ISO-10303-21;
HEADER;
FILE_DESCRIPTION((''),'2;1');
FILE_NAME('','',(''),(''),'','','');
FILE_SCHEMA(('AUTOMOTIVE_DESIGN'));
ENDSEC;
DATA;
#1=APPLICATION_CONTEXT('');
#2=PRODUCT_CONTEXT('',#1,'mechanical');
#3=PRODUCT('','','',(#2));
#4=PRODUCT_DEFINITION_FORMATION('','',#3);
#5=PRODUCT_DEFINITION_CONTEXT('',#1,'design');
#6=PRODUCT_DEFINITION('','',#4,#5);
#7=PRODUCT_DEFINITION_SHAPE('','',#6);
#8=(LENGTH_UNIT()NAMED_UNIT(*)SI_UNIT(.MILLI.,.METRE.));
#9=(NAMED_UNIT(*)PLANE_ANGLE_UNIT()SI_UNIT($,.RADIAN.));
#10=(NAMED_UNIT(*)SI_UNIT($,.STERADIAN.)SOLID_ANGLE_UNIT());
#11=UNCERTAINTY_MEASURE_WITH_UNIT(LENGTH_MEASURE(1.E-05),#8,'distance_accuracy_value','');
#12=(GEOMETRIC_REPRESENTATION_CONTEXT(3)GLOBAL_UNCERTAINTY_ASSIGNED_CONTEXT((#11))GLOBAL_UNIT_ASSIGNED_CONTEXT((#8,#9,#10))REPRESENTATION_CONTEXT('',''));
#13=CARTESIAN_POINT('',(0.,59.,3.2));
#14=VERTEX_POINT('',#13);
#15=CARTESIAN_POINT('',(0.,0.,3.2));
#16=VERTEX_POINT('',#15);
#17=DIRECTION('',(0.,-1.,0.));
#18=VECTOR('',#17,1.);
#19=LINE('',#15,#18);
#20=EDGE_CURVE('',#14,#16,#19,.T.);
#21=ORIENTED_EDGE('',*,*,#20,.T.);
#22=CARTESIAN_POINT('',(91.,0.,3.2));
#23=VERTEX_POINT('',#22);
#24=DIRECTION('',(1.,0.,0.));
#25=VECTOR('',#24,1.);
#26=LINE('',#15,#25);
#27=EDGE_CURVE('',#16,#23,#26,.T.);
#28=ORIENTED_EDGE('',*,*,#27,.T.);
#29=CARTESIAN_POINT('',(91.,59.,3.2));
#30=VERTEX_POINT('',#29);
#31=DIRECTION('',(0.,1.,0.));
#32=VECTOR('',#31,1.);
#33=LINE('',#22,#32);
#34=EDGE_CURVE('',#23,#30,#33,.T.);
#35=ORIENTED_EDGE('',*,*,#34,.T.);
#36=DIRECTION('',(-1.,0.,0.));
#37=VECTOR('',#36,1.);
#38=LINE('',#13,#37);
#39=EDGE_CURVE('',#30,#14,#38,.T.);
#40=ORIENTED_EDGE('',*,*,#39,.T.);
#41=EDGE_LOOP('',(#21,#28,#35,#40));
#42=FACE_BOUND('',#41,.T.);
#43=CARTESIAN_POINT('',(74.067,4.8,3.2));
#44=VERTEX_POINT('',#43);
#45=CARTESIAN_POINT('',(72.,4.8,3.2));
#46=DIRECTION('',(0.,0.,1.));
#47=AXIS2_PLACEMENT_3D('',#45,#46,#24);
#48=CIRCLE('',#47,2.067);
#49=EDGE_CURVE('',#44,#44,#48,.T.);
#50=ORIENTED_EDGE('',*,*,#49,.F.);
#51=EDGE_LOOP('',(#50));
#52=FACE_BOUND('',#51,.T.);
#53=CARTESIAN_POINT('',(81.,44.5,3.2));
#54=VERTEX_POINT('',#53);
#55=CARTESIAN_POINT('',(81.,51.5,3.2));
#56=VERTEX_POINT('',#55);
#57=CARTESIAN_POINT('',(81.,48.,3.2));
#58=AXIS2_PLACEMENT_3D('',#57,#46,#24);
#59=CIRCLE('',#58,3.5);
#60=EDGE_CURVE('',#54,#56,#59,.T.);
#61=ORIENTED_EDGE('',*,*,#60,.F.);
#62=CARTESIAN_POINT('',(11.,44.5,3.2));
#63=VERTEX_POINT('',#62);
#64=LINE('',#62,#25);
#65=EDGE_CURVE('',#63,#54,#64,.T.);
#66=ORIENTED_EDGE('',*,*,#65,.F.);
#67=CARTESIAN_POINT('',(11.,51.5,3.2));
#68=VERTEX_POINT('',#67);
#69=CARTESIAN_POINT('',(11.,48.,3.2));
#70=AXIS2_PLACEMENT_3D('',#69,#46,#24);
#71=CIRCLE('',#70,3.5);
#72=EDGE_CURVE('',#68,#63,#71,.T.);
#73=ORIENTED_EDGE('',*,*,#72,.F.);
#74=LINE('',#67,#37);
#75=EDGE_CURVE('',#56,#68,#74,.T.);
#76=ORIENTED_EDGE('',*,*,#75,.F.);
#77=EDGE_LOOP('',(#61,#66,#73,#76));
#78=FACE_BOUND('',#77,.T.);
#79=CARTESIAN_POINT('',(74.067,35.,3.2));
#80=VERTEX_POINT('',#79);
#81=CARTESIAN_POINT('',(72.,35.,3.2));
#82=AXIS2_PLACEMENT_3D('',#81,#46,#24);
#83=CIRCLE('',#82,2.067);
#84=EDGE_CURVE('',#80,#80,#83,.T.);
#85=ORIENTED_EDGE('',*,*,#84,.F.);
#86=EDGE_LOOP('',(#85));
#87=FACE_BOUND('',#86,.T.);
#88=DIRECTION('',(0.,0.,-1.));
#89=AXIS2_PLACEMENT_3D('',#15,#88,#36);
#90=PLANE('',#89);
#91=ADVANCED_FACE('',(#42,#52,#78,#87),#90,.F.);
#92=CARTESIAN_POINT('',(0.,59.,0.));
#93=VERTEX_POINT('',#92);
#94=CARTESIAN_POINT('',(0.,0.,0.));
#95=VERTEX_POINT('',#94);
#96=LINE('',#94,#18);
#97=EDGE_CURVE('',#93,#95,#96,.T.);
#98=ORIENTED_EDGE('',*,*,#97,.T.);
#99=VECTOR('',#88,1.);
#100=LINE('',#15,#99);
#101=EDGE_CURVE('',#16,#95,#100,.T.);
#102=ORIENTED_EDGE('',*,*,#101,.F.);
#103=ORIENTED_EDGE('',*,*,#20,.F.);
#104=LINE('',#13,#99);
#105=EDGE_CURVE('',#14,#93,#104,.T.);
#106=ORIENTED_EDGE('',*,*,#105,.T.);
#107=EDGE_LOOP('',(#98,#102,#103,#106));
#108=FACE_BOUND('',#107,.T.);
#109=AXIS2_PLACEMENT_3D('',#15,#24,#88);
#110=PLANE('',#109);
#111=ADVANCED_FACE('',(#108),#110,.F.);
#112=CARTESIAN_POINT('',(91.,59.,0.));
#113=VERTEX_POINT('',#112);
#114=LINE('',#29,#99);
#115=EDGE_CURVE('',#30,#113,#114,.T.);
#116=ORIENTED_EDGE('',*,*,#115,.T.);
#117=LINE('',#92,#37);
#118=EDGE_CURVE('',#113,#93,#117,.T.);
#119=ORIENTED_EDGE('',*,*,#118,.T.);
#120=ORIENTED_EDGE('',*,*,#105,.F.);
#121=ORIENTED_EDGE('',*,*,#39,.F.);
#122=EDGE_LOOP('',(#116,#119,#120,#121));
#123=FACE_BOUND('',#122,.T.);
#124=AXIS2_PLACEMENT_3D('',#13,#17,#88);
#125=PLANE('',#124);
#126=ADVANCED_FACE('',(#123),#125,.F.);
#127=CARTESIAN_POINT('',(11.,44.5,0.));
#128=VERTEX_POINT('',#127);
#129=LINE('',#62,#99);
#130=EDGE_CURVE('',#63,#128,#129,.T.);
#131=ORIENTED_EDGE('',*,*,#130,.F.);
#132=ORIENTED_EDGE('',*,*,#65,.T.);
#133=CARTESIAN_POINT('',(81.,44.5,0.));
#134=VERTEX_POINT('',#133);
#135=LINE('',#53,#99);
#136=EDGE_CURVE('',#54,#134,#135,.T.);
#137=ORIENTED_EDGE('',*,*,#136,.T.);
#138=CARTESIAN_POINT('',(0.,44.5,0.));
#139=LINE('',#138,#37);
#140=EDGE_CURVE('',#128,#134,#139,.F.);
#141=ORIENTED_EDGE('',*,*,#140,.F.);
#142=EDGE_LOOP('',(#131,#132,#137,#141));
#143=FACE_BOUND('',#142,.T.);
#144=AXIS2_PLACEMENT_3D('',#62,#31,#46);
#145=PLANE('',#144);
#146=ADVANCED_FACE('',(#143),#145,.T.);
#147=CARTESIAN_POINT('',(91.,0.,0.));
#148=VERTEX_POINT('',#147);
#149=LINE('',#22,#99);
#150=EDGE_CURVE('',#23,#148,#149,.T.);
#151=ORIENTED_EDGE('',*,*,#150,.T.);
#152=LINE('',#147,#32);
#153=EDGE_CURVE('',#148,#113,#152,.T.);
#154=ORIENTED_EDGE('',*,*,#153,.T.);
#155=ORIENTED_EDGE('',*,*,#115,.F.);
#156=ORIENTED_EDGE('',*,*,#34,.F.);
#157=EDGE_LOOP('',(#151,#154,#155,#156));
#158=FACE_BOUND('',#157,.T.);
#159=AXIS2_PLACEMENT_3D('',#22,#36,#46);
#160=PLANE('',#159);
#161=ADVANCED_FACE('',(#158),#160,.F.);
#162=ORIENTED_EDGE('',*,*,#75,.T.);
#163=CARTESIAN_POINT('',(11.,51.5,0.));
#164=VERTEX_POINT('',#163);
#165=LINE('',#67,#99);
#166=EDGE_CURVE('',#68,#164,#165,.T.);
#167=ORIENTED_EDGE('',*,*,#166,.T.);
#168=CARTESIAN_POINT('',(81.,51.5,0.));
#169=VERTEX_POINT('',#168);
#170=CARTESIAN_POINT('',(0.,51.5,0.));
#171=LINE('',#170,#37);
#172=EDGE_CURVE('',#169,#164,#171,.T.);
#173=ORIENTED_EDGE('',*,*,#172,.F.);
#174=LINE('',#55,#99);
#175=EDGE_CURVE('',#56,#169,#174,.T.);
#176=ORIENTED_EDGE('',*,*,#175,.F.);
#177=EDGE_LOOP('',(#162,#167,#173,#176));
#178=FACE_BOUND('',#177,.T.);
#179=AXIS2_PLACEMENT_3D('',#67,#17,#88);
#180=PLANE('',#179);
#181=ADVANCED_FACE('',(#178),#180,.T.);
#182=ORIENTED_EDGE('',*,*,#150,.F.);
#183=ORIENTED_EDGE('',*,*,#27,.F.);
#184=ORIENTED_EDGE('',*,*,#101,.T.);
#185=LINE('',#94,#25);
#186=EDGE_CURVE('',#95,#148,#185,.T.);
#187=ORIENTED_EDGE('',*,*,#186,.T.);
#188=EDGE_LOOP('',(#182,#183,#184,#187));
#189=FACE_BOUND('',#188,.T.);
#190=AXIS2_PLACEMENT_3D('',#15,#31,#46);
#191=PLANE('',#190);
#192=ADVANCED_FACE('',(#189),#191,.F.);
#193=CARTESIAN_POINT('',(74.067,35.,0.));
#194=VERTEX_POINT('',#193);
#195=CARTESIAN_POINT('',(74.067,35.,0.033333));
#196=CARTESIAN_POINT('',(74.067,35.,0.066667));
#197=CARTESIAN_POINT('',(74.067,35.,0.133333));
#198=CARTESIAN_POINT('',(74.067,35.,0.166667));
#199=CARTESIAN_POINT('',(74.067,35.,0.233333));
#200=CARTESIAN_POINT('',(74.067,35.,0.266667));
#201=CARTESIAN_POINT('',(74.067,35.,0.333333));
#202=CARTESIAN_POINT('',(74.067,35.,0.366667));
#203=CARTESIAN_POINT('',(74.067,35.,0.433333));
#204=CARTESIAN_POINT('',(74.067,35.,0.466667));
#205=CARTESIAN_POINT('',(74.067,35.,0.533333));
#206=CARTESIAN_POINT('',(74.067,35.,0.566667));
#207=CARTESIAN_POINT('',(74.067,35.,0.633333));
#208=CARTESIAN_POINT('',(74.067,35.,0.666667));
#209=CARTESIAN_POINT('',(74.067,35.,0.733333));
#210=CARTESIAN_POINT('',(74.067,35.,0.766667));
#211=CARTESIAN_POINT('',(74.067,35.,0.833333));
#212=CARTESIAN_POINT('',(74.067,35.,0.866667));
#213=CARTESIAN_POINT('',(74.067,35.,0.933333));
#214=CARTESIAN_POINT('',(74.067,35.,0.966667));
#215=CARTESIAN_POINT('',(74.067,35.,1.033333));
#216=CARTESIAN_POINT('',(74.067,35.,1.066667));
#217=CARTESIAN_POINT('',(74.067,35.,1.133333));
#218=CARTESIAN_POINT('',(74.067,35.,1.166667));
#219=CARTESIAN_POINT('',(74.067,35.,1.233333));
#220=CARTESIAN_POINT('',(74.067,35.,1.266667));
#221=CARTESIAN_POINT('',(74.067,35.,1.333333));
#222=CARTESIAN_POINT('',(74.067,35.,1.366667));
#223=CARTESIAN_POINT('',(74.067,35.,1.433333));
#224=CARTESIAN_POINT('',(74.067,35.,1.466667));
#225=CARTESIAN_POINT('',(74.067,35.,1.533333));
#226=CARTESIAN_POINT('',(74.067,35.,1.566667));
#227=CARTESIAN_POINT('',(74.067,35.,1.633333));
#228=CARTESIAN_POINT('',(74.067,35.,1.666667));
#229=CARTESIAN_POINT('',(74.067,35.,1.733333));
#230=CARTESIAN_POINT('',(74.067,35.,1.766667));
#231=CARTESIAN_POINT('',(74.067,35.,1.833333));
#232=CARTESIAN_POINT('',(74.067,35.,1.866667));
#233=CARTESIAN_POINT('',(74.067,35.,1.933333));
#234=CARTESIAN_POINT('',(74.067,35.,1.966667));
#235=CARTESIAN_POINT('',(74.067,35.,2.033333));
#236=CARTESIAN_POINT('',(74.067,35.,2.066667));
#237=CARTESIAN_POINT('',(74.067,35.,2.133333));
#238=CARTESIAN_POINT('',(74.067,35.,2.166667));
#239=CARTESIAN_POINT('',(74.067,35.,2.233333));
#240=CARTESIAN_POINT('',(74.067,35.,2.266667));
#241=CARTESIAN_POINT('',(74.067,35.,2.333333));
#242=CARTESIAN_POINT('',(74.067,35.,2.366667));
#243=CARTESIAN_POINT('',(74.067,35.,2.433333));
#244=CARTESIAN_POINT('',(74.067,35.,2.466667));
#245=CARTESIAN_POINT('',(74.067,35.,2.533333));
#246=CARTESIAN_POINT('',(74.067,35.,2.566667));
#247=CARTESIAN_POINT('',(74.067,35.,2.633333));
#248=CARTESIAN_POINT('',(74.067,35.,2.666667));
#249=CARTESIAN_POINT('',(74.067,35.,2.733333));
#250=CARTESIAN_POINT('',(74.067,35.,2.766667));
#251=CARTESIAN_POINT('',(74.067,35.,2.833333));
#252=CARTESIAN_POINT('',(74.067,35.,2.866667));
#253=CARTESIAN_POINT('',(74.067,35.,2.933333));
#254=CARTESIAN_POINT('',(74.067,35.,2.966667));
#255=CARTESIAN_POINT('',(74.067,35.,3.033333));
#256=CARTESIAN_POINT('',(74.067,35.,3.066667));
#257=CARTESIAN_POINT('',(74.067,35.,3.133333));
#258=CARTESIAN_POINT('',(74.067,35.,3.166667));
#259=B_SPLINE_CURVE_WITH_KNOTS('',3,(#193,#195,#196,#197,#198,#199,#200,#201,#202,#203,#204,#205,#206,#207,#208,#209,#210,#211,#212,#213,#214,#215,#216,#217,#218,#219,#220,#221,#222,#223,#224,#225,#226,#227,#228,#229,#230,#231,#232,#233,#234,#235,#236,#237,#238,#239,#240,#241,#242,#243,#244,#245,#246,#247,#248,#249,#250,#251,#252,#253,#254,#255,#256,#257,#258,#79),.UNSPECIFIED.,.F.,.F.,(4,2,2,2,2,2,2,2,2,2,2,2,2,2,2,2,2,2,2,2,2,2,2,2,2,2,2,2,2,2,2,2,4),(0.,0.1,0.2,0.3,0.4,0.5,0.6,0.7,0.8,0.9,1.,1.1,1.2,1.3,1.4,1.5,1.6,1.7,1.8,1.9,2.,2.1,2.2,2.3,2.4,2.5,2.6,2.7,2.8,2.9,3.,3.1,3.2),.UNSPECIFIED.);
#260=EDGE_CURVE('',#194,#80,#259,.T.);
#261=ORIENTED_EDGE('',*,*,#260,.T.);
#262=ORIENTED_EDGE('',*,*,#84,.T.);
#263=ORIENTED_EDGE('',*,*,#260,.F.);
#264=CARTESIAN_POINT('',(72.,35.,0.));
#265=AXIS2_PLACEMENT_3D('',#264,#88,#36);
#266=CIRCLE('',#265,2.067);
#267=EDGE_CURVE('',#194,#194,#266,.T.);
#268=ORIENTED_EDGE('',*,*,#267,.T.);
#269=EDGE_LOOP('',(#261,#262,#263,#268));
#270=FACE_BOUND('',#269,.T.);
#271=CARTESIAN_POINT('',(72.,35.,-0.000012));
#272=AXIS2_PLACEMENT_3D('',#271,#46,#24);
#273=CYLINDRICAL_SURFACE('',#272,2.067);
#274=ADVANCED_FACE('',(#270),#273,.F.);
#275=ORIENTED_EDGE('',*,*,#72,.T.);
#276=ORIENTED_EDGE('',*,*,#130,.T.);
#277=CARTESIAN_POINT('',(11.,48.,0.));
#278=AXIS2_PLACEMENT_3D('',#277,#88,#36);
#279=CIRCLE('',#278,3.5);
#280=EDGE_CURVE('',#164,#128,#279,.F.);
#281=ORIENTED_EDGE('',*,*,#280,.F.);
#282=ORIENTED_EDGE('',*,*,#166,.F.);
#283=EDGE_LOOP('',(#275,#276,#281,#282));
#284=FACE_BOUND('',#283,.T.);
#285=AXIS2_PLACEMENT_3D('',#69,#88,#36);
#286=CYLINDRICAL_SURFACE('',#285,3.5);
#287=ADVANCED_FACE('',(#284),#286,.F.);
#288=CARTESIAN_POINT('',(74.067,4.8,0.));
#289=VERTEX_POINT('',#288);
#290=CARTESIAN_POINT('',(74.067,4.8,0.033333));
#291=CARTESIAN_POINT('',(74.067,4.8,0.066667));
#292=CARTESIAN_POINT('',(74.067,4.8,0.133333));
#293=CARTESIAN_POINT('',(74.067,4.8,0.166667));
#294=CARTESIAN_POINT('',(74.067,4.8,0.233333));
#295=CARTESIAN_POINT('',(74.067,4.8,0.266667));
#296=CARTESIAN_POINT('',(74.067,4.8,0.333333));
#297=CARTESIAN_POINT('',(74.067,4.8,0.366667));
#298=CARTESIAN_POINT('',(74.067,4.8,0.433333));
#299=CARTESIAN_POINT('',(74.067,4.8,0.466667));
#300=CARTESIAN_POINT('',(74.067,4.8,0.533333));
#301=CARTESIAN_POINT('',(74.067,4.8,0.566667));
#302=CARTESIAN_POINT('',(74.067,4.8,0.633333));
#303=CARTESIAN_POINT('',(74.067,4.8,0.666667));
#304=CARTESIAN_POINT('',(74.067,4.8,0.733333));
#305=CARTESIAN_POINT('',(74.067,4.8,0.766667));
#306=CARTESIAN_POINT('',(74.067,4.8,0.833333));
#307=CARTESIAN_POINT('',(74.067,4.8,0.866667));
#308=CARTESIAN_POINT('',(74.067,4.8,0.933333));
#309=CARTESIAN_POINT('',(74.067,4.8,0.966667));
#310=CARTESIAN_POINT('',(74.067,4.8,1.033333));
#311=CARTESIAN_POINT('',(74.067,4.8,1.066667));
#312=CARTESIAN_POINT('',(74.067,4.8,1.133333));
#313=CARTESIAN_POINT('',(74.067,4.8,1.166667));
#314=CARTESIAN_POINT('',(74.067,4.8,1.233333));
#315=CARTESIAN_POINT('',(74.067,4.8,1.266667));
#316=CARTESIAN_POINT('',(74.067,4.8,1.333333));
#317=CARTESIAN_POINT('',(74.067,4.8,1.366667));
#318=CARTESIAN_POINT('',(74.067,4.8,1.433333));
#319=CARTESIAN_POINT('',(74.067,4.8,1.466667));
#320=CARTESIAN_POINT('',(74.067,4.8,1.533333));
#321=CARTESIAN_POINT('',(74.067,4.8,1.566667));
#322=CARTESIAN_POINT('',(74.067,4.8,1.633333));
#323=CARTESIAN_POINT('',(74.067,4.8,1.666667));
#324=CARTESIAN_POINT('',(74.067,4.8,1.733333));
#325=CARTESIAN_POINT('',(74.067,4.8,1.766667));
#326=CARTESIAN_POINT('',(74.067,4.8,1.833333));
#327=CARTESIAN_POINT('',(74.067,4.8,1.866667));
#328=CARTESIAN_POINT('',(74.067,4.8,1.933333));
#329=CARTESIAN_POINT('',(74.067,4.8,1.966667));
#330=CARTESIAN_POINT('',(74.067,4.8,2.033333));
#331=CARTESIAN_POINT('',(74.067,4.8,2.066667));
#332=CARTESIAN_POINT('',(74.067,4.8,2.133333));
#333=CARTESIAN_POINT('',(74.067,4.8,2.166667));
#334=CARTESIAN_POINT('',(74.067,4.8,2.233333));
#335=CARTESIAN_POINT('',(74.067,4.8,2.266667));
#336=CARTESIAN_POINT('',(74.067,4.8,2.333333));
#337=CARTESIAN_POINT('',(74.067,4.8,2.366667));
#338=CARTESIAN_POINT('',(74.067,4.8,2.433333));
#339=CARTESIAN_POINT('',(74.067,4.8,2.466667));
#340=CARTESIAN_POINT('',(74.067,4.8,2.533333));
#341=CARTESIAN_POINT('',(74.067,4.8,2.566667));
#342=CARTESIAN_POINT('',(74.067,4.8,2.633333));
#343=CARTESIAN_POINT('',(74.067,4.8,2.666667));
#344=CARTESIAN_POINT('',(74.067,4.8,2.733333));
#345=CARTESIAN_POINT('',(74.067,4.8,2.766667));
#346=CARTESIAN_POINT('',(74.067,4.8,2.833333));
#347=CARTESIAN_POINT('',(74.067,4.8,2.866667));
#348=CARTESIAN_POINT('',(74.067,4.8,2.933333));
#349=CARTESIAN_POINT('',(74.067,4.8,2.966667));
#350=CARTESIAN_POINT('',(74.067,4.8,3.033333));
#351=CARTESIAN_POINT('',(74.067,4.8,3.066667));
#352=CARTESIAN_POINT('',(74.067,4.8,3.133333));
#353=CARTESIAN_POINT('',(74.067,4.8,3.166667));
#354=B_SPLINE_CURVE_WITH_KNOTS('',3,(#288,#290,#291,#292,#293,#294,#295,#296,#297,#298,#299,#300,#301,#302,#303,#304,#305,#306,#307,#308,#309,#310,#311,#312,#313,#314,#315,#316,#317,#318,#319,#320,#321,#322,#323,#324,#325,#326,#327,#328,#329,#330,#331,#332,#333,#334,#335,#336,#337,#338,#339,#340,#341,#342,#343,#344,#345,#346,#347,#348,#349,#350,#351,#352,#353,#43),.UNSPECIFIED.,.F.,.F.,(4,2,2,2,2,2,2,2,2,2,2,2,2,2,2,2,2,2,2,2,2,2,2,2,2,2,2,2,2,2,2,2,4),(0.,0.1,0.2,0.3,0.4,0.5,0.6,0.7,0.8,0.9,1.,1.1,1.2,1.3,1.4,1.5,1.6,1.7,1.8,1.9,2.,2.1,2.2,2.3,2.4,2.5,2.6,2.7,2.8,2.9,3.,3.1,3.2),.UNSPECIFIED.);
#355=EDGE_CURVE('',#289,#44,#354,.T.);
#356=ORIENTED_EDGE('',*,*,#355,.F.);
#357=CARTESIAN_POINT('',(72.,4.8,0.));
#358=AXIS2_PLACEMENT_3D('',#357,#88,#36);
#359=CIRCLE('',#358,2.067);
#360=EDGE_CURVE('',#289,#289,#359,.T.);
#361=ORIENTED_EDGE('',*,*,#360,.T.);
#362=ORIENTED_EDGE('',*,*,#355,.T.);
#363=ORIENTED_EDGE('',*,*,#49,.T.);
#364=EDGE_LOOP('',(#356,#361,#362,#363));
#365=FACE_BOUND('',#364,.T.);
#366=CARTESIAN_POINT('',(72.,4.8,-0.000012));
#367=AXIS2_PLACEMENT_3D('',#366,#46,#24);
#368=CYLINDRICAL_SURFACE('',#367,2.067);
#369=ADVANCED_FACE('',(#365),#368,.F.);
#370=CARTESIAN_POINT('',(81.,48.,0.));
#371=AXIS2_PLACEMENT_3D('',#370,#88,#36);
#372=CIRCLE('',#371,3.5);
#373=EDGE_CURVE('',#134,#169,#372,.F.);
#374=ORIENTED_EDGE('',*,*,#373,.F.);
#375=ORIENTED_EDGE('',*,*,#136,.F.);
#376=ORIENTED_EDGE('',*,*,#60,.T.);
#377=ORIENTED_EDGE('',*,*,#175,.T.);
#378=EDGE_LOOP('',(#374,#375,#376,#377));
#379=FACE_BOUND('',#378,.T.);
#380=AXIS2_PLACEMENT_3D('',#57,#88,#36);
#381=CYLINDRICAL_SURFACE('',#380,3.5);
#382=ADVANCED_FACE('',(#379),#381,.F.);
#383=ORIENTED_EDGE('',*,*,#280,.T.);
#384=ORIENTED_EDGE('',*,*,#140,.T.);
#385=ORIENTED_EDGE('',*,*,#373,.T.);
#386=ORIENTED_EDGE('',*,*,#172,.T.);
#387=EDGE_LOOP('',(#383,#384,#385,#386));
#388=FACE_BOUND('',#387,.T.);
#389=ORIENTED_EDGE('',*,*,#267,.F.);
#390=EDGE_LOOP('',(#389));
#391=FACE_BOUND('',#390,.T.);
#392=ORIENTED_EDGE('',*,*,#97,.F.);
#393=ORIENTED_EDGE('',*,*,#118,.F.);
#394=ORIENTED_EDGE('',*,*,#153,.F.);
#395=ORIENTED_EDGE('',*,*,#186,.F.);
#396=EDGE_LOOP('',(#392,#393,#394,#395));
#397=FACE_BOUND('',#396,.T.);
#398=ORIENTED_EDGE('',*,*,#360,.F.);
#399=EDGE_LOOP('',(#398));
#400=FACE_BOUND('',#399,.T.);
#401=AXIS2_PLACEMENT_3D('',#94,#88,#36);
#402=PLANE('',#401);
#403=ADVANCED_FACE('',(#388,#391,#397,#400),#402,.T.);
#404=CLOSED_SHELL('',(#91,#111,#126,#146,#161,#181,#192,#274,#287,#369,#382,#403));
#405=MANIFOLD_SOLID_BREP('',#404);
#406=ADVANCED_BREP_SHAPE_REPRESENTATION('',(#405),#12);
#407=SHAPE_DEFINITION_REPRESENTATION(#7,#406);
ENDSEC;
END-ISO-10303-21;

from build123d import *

# Parameters (mm, degrees)
SKETCH_1_W               = 91
SKETCH_1_H               = 59
EXTRUDE_1_DEPTH          = 3.2
CUT_EXTRUDE_1_DEPTH      = 109.499953917
CUT_EXTRUDE_1_DEPTH_BACK = 109.499953917
CUT_EXTRUDE_2_DEPTH      = 109.499953917
CUT_EXTRUDE_2_DEPTH_BACK = 109.499953917
SKETCH_3_R               = 2.067


with BuildPart() as part:
    # ｽｹｯﾁ1 → ﾎﾞｽ - 押し出し1 (new body)
    with BuildSketch(Plane.XY):
        with Locations((45.5, 29.5)):
            Rectangle(SKETCH_1_W, SKETCH_1_H)
    extrude(amount=EXTRUDE_1_DEPTH)

    # ｽｹｯﾁ2 → ｶｯﾄ - 押し出し1 (cut, two sides: drawn at the far end of the back side and taken through both)
    with BuildSketch(Plane.XY.offset(-CUT_EXTRUDE_1_DEPTH_BACK)):
        with BuildLine():
            Line((11, 51.5), (81, 51.5))
            ThreePointArc((81, 51.5), (84.5, 48), (81, 44.5))
            Line((81, 44.5), (11, 44.5))
            ThreePointArc((11, 44.5), (7.5, 48), (11, 51.5))
        make_face()
    extrude(amount=CUT_EXTRUDE_1_DEPTH + CUT_EXTRUDE_1_DEPTH_BACK, mode=Mode.SUBTRACT)

    # ｽｹｯﾁ3 → ｶｯﾄ - 押し出し2 (cut, two sides: drawn at the far end of the back side and taken through both)
    with BuildSketch(Plane.XY.offset(-CUT_EXTRUDE_2_DEPTH_BACK)):
        with Locations((72, 35)):
            Circle(SKETCH_3_R)
        with Locations((72, 4.8)):
            Circle(SKETCH_3_R)
    extrude(amount=CUT_EXTRUDE_2_DEPTH + CUT_EXTRUDE_2_DEPTH_BACK, mode=Mode.SUBTRACT)


solid = part.part
